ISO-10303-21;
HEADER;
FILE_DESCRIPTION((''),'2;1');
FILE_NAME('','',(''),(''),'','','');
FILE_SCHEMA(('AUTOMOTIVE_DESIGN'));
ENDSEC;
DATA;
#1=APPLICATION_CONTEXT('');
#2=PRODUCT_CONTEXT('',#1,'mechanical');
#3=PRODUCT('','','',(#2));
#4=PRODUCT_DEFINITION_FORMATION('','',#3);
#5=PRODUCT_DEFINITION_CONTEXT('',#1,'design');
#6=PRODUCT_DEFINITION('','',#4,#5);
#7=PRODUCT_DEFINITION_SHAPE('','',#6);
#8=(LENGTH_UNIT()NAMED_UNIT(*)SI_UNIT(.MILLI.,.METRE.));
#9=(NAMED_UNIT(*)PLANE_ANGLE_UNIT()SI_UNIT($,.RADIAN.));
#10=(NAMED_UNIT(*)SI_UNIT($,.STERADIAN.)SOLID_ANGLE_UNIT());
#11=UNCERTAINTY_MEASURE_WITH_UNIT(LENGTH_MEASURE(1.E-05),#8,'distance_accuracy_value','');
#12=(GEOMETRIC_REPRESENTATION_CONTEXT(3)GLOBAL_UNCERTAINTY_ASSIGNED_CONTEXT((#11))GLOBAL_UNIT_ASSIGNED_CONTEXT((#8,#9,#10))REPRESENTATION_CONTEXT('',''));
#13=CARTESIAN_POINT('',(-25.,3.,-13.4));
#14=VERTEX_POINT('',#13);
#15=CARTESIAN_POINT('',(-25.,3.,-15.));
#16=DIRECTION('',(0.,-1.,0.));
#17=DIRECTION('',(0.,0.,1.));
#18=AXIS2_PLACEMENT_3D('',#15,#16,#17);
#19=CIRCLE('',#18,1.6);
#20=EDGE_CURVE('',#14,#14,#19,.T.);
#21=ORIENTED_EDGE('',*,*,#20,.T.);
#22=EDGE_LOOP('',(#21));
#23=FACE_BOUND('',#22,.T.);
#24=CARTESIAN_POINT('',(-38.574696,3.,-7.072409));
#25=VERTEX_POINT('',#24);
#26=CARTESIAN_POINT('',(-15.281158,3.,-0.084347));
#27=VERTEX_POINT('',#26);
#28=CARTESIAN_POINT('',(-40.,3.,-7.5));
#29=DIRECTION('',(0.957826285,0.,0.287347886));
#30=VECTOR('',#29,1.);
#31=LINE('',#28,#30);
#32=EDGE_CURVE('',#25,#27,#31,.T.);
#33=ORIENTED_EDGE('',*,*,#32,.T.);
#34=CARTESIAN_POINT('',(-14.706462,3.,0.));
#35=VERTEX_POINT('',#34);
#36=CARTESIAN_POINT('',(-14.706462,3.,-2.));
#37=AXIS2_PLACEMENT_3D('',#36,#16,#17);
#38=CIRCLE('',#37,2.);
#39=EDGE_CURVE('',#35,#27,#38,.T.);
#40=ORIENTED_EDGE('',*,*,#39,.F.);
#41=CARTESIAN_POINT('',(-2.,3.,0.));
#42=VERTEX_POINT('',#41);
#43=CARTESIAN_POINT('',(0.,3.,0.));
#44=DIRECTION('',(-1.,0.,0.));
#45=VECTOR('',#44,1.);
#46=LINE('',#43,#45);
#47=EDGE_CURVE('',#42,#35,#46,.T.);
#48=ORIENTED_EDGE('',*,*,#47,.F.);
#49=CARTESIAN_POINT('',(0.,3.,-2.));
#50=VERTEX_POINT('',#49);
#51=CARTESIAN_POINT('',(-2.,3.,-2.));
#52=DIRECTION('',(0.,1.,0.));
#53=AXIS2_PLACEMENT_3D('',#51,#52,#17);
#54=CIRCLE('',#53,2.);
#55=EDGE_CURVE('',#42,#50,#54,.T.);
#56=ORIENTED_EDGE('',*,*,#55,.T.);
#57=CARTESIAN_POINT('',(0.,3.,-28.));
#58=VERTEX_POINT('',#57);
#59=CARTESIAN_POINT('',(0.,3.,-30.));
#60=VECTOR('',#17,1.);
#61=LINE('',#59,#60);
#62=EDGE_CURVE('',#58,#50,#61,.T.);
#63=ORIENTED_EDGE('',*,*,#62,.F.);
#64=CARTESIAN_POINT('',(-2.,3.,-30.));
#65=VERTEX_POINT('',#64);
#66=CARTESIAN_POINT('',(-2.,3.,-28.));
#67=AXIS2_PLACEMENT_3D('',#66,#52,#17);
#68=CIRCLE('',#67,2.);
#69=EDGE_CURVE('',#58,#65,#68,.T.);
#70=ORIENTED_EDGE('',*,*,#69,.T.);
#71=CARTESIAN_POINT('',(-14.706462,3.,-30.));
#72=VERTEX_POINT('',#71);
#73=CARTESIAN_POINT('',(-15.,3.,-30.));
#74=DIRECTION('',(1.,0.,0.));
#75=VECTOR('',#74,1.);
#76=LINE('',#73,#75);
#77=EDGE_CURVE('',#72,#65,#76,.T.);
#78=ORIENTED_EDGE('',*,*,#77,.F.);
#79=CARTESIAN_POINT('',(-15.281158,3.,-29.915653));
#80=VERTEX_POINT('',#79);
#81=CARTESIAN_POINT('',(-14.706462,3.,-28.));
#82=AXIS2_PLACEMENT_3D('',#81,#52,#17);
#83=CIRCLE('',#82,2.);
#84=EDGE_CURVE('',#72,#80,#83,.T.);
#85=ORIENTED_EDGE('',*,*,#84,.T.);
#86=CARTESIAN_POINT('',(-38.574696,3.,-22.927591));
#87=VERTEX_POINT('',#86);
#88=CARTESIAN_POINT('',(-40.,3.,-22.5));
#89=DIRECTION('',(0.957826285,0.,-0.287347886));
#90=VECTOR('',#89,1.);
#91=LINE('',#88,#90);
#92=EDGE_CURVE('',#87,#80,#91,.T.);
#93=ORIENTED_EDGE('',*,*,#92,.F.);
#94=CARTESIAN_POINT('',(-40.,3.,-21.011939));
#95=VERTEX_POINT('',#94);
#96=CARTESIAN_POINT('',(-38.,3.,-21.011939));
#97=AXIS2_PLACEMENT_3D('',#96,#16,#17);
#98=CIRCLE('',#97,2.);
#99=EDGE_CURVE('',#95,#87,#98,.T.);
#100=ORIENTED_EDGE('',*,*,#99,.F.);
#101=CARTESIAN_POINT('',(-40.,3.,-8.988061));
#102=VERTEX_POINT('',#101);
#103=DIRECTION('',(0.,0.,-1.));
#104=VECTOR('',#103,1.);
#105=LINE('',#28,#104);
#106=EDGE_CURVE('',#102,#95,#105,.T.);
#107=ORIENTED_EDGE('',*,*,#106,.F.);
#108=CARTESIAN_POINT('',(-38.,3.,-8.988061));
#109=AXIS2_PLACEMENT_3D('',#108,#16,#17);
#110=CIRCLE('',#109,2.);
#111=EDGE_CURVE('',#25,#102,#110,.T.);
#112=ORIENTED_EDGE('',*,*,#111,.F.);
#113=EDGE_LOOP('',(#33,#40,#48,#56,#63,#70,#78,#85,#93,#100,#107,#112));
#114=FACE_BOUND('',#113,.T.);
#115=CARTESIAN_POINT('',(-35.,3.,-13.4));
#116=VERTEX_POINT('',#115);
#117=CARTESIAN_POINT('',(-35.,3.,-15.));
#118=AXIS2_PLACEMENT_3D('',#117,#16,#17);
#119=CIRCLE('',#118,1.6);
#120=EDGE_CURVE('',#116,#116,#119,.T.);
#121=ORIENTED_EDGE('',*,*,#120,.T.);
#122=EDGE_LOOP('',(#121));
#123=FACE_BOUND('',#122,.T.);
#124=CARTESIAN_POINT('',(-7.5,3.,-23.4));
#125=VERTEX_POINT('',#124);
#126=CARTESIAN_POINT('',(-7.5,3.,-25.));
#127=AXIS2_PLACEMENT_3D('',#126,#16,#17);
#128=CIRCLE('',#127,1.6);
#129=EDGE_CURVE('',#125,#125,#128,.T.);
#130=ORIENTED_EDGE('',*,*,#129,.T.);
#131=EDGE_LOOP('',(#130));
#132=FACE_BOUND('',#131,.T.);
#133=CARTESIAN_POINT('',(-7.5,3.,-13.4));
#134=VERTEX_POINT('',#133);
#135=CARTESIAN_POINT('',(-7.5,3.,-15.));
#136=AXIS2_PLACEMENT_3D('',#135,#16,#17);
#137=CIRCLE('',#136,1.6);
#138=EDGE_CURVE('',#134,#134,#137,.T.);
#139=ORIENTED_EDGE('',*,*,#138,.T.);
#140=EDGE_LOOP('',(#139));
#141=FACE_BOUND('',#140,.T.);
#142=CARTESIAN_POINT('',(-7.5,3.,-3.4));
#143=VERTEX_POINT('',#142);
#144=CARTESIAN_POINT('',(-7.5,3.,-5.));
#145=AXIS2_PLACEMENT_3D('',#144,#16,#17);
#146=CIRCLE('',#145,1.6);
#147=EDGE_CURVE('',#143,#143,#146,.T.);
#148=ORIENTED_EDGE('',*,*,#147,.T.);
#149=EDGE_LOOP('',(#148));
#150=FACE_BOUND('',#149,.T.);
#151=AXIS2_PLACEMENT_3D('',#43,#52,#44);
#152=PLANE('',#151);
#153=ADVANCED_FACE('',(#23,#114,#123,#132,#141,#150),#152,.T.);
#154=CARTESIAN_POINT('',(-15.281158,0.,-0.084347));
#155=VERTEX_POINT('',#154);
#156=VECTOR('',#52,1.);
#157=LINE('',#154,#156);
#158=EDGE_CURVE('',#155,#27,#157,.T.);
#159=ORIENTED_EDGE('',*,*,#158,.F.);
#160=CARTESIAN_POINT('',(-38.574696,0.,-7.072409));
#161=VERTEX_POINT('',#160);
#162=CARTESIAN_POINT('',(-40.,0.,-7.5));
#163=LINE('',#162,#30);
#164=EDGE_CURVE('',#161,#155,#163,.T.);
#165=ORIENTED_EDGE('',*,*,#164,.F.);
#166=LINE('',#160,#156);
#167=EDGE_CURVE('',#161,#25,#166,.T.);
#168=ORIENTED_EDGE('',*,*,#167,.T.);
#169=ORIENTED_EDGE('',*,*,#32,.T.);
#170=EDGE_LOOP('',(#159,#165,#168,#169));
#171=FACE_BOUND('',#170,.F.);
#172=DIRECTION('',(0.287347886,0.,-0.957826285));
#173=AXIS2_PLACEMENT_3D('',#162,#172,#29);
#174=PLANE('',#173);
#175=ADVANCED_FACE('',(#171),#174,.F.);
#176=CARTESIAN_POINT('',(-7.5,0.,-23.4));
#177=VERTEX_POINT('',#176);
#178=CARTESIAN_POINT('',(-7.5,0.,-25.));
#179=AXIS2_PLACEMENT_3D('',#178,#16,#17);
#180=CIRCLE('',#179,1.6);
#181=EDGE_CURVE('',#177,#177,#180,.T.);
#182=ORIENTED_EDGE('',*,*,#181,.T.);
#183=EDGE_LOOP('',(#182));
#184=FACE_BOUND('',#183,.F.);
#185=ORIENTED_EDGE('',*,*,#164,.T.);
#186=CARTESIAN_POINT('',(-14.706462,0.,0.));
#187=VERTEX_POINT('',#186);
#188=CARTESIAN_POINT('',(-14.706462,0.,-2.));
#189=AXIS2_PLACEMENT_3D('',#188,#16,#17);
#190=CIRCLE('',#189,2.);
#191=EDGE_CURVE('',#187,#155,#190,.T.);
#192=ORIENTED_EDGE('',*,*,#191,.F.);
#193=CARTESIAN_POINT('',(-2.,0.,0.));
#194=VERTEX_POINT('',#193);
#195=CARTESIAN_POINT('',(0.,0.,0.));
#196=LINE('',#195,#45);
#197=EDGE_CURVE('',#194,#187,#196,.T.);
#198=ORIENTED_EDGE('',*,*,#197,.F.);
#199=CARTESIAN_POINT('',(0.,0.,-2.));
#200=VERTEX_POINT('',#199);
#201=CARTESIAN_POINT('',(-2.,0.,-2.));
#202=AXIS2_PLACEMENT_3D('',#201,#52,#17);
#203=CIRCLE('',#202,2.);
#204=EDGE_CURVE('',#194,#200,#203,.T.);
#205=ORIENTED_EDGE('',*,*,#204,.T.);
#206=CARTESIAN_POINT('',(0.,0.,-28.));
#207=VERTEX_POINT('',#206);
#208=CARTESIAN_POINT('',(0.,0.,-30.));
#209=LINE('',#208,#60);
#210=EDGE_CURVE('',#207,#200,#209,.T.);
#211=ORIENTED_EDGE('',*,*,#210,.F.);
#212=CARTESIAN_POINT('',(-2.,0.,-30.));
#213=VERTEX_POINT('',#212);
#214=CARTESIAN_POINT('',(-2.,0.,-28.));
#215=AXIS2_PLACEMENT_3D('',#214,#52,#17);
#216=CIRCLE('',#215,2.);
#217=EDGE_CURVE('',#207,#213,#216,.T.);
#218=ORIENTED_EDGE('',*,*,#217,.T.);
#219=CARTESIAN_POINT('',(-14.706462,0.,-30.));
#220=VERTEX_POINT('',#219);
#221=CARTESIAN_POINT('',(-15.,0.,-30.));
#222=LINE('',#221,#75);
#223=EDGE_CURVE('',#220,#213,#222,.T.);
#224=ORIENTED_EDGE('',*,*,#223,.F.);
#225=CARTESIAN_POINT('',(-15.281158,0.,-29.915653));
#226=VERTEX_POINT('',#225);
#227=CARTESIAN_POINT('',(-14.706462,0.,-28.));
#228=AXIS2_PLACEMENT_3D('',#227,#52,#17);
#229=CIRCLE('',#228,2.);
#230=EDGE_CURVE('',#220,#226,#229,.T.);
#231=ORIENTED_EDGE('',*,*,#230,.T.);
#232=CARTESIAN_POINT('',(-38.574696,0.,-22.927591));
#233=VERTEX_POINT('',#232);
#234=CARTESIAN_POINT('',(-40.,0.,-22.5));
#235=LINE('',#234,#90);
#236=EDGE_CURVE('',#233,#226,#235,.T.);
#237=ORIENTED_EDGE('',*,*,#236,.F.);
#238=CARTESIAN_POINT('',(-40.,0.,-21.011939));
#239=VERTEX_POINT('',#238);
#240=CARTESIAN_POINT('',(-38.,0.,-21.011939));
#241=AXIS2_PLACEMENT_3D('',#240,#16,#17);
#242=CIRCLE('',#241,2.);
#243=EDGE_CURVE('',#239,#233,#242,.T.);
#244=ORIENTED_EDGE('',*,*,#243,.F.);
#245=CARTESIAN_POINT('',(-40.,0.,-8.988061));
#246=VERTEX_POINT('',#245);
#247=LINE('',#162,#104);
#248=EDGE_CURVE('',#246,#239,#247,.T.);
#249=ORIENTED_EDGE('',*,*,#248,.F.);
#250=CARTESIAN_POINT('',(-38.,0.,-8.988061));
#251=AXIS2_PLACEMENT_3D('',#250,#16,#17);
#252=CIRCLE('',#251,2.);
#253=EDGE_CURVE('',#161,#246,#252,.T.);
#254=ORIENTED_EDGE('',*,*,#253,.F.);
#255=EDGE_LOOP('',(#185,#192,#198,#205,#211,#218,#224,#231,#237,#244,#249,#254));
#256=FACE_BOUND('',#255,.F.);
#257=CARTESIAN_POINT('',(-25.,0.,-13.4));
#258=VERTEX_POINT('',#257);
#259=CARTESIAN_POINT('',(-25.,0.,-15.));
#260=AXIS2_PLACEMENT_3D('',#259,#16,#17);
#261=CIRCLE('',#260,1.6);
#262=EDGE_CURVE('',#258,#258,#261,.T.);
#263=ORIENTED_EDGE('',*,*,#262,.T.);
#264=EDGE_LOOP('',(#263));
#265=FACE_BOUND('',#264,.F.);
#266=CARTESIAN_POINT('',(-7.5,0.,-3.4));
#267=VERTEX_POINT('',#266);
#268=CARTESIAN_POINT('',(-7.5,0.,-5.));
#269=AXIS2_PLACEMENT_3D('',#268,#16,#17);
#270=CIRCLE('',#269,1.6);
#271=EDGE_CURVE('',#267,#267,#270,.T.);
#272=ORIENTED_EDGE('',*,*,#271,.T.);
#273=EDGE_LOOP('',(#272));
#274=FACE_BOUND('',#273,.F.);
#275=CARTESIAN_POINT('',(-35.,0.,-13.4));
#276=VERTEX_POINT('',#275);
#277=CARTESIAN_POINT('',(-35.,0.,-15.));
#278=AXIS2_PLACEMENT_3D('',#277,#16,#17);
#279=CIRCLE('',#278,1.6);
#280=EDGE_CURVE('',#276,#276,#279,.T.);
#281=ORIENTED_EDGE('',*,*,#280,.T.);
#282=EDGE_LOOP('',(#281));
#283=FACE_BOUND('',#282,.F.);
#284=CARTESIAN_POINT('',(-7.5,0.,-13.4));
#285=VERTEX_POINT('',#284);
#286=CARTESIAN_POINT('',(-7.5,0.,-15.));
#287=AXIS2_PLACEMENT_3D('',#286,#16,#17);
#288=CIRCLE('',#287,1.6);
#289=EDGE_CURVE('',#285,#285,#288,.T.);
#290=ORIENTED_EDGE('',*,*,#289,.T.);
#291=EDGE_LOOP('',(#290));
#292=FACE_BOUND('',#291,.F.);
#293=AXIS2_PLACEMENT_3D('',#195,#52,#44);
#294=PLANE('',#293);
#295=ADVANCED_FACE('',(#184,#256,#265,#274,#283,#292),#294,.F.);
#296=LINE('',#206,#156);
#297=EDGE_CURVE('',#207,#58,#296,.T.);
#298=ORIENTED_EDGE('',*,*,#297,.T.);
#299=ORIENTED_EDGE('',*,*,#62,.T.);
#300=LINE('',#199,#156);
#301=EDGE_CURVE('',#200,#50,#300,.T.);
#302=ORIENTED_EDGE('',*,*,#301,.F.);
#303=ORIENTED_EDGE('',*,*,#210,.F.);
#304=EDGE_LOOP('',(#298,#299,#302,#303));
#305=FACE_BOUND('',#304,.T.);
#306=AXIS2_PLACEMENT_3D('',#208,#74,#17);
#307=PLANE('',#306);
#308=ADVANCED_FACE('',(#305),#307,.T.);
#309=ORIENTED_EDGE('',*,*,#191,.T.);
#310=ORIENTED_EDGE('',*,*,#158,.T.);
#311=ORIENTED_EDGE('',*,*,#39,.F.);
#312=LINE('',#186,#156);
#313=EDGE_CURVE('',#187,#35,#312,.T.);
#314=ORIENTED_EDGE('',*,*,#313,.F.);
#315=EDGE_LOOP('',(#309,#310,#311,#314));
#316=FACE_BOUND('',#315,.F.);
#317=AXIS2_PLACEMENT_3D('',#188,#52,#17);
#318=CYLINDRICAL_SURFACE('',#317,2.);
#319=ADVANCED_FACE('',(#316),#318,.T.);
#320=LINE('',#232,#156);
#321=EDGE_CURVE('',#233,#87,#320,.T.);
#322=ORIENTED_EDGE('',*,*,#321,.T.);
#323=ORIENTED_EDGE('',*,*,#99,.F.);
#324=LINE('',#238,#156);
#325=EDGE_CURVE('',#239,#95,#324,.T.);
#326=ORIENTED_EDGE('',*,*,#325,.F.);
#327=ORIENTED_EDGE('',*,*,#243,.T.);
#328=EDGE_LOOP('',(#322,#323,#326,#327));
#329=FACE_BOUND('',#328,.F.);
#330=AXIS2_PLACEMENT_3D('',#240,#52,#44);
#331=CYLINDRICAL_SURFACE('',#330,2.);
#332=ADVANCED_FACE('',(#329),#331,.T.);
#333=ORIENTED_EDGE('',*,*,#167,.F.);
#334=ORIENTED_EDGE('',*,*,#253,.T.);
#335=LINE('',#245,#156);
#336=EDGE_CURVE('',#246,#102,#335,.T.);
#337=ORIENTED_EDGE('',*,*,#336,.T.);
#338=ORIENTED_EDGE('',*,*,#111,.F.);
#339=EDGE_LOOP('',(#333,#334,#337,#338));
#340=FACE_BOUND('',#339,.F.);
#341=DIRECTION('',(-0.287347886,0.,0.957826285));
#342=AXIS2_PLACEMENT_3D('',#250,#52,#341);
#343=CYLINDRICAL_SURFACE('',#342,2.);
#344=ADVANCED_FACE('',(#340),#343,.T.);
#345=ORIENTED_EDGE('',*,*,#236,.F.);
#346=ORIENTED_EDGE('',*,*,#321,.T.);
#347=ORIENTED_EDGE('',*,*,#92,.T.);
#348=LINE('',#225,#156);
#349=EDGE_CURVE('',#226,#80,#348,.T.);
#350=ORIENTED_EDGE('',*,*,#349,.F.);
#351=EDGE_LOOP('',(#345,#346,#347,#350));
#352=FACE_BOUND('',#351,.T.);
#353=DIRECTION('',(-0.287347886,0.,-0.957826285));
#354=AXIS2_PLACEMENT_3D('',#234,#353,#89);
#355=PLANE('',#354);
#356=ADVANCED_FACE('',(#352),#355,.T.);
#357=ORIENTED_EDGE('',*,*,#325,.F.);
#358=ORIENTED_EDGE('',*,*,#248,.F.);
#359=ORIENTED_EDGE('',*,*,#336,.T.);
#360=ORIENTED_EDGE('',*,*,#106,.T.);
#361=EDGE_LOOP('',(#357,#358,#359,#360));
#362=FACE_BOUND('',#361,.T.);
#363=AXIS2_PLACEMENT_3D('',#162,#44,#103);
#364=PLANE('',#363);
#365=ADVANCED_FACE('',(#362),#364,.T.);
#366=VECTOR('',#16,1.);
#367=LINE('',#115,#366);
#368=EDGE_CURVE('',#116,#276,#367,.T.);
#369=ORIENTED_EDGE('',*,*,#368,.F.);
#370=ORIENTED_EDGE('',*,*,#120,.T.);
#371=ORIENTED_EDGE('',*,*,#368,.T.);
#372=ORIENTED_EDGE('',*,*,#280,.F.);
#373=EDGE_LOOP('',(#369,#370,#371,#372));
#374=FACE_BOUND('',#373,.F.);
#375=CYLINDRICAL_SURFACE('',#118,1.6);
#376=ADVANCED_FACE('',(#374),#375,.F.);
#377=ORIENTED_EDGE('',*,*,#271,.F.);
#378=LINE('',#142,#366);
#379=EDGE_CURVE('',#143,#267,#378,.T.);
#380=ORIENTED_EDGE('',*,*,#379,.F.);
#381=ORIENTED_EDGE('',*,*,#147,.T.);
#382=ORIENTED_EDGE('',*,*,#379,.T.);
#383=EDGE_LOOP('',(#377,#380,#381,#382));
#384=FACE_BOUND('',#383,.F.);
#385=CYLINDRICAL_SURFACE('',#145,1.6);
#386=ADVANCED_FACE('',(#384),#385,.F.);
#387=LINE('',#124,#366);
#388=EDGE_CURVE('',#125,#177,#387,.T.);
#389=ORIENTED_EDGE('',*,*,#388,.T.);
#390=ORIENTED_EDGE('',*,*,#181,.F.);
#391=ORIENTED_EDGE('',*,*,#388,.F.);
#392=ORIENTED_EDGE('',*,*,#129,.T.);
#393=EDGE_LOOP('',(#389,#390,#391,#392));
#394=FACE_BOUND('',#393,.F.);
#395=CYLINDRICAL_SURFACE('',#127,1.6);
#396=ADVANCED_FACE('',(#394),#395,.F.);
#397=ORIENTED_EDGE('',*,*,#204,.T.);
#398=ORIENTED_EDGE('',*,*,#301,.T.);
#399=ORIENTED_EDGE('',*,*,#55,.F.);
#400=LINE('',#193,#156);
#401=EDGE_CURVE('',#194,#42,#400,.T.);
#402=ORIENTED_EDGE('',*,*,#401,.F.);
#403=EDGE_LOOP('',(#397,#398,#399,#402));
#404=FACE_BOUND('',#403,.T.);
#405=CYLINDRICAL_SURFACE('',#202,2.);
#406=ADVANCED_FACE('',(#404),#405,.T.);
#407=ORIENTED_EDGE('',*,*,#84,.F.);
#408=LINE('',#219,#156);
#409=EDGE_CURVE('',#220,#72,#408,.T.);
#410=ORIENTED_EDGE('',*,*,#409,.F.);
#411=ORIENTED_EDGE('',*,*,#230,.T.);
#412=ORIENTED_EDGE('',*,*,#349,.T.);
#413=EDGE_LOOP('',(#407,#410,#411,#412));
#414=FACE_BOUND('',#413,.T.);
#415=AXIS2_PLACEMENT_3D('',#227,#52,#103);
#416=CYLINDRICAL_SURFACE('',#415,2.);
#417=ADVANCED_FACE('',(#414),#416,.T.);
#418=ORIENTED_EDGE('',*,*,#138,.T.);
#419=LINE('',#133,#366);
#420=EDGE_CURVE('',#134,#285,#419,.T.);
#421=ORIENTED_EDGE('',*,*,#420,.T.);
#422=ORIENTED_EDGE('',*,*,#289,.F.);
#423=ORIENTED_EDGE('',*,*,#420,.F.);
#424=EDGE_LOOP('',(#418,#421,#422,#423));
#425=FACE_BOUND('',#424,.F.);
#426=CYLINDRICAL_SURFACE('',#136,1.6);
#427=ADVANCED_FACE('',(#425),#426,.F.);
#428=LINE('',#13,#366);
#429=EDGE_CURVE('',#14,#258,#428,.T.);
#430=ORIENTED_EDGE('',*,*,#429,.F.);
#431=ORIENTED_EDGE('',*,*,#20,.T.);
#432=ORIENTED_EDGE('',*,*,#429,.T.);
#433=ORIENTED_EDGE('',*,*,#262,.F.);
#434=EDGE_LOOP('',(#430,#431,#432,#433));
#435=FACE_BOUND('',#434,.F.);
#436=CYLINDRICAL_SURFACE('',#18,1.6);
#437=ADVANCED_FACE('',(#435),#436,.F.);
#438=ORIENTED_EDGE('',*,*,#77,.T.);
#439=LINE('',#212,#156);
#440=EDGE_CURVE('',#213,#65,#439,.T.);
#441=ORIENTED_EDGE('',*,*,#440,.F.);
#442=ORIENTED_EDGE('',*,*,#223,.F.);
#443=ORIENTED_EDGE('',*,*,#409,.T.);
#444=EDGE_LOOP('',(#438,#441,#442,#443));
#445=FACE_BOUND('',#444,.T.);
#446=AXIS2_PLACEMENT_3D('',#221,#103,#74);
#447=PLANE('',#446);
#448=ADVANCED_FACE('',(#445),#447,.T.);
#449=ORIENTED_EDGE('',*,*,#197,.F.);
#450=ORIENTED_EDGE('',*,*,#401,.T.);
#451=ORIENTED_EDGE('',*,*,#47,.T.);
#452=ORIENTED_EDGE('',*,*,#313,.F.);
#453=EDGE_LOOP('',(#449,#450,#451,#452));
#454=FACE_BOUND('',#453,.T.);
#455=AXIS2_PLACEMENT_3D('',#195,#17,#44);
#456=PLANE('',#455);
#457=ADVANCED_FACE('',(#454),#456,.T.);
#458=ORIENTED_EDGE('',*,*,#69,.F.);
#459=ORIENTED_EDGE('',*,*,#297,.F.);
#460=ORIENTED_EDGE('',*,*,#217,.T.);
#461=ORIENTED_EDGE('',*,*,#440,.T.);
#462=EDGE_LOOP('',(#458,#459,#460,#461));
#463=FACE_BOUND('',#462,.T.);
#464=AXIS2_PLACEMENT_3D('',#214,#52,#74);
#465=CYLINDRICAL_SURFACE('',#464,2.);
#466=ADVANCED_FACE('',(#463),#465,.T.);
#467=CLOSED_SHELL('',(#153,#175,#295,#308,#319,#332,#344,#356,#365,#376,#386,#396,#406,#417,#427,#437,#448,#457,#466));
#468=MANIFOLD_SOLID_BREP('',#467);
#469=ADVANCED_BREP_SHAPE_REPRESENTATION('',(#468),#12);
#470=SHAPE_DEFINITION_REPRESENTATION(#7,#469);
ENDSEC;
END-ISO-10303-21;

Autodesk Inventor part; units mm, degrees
ref_plane "YZ Plane" through (0, 0, 0) normal (1, 0, 0) x (0, 1, 0)
ref_plane "XZ Plane" through (0, 0, 0) normal (0, 1, 0) x (-1, 0, 0)
ref_plane "XY Plane" through (0, 0, 0) normal (0, 0, 1) x (1, 0, 0)
sketch "スケッチ1" plane through (0, 0, 0) normal (0, 1, 0) x (-1, 0, 0)
  line L0 (0, 0) -> (15, 0)
  line L1 (40, 0) -> (40, -7.5) construction
  line L2 (40, -30) -> (15, -30) construction
  line L3 (0, -30) -> (0, 0)
  line L4 (40, -7.5) -> (40, -22.5)
  line L5 (40, -7.5) -> (55, -7.5) construction
  line L6 (40, -22.5) -> (15, -30)
  line L7 (40, -7.5) -> (15, 0)
  line L8 (15, 0) -> (40, 0) construction
  line L9 (40, -7.5) -> (40, -22.5)
  line L10 (40, -22.5) -> (40, -30) construction
  line L11 (15, -30) -> (0, -30)
  dimension "d0" = 40
  dimension "d1" = 30
  dimension "d2" = 7.5
  dimension "d3" = 15
  dimension "d4" = 90
  dimension "d5" = 15
  dimension "d6" = 15
extrude "押し出し1" add sketch "スケッチ1" along normal blind 3
sketch "スケッチ2" plane through (0, 3, 0) normal (0, 1, 0) x (1, 0, 0)
  line L0 (0, 0) -> (0, 30) projected
  line L1 (-15, 0) -> (0, 0) projected
  point P0 (-35, 15)
  point P1 (-35, 15)
  point P2 (-25, 15)
  point P3 (-7.5, 15)
  point P4 (-7.5, 5)
  point P5 (-7.5, 25)
  dimension "d9" = 35
  dimension "d10" = 15
  dimension "d11" = 10
  dimension "d12" = 7.5
  dimension "d13" = 15
  dimension "d14" = 10
  dimension "d15" = 10
hole "穴1" at (-35, 3, -15) at (-25, 3, -15) at (-7.5, 3, -15) at (-7.5, 3, -5) at (-7.5, 3, -25) direction (0, -1, 0) diameter 3.2 end through all
fillet "フィレット1" radius 2 6 edges at (-15, 1.5, 0) (0, 1.5, 0) (0, 1.5, -30) (-40, 1.5, -7.5) (-40, 1.5, -22.5) (-15, 1.5, -30)
properties part number "射出_固定5" material "アルミニウム 6061"
